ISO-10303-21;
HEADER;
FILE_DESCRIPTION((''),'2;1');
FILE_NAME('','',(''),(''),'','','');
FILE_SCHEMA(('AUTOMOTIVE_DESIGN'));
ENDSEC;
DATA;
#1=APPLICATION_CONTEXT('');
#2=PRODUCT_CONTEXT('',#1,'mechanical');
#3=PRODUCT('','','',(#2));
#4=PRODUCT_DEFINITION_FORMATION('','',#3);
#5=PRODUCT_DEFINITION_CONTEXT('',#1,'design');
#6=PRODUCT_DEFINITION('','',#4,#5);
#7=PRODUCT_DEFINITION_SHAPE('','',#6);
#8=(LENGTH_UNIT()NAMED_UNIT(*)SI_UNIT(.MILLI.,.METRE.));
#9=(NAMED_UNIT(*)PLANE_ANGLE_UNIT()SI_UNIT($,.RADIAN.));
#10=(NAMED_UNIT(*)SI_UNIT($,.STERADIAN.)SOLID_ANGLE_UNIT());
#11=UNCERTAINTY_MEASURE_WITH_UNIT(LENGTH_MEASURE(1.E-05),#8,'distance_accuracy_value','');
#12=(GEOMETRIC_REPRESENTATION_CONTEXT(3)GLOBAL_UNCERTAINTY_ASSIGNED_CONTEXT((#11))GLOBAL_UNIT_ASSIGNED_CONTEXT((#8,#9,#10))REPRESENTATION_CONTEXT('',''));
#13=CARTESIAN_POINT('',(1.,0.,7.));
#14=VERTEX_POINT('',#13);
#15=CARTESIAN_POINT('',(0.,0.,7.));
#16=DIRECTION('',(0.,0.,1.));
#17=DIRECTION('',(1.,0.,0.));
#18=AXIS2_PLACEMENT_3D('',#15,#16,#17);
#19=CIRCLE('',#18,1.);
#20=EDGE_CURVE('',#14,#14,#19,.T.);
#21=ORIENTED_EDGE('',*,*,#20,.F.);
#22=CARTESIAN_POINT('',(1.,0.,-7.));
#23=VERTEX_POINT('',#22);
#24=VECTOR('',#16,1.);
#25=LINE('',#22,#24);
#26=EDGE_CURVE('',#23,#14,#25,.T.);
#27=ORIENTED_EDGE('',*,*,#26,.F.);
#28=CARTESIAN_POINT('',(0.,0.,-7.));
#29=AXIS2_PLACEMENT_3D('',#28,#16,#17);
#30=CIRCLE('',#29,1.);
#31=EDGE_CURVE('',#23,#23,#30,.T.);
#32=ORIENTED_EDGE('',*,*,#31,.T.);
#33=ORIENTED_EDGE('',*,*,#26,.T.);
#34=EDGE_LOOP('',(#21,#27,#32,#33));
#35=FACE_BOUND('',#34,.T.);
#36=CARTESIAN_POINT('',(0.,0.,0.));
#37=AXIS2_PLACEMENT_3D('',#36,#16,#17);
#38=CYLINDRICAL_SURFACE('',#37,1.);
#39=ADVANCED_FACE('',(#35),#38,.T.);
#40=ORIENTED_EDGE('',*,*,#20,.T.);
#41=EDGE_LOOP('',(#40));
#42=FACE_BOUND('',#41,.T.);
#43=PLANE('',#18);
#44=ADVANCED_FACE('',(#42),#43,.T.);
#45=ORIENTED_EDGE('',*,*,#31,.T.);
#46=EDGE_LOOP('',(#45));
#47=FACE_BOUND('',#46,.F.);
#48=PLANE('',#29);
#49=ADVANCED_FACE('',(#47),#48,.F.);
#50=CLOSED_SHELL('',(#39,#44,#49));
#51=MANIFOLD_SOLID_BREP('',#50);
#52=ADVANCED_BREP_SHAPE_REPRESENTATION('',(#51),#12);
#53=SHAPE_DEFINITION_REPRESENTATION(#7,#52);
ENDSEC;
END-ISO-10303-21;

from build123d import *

# Parameters (mm, degrees)
SKETCH1_R           = 1
BOSS_EXTRUDE1_DEPTH = 7


with BuildPart() as part:
    # Sketch1 → Boss-Extrude1 (new body, symmetric)
    with BuildSketch(Plane.XY):
        Circle(SKETCH1_R)
    extrude(amount=BOSS_EXTRUDE1_DEPTH, both=True)


solid = part.part
